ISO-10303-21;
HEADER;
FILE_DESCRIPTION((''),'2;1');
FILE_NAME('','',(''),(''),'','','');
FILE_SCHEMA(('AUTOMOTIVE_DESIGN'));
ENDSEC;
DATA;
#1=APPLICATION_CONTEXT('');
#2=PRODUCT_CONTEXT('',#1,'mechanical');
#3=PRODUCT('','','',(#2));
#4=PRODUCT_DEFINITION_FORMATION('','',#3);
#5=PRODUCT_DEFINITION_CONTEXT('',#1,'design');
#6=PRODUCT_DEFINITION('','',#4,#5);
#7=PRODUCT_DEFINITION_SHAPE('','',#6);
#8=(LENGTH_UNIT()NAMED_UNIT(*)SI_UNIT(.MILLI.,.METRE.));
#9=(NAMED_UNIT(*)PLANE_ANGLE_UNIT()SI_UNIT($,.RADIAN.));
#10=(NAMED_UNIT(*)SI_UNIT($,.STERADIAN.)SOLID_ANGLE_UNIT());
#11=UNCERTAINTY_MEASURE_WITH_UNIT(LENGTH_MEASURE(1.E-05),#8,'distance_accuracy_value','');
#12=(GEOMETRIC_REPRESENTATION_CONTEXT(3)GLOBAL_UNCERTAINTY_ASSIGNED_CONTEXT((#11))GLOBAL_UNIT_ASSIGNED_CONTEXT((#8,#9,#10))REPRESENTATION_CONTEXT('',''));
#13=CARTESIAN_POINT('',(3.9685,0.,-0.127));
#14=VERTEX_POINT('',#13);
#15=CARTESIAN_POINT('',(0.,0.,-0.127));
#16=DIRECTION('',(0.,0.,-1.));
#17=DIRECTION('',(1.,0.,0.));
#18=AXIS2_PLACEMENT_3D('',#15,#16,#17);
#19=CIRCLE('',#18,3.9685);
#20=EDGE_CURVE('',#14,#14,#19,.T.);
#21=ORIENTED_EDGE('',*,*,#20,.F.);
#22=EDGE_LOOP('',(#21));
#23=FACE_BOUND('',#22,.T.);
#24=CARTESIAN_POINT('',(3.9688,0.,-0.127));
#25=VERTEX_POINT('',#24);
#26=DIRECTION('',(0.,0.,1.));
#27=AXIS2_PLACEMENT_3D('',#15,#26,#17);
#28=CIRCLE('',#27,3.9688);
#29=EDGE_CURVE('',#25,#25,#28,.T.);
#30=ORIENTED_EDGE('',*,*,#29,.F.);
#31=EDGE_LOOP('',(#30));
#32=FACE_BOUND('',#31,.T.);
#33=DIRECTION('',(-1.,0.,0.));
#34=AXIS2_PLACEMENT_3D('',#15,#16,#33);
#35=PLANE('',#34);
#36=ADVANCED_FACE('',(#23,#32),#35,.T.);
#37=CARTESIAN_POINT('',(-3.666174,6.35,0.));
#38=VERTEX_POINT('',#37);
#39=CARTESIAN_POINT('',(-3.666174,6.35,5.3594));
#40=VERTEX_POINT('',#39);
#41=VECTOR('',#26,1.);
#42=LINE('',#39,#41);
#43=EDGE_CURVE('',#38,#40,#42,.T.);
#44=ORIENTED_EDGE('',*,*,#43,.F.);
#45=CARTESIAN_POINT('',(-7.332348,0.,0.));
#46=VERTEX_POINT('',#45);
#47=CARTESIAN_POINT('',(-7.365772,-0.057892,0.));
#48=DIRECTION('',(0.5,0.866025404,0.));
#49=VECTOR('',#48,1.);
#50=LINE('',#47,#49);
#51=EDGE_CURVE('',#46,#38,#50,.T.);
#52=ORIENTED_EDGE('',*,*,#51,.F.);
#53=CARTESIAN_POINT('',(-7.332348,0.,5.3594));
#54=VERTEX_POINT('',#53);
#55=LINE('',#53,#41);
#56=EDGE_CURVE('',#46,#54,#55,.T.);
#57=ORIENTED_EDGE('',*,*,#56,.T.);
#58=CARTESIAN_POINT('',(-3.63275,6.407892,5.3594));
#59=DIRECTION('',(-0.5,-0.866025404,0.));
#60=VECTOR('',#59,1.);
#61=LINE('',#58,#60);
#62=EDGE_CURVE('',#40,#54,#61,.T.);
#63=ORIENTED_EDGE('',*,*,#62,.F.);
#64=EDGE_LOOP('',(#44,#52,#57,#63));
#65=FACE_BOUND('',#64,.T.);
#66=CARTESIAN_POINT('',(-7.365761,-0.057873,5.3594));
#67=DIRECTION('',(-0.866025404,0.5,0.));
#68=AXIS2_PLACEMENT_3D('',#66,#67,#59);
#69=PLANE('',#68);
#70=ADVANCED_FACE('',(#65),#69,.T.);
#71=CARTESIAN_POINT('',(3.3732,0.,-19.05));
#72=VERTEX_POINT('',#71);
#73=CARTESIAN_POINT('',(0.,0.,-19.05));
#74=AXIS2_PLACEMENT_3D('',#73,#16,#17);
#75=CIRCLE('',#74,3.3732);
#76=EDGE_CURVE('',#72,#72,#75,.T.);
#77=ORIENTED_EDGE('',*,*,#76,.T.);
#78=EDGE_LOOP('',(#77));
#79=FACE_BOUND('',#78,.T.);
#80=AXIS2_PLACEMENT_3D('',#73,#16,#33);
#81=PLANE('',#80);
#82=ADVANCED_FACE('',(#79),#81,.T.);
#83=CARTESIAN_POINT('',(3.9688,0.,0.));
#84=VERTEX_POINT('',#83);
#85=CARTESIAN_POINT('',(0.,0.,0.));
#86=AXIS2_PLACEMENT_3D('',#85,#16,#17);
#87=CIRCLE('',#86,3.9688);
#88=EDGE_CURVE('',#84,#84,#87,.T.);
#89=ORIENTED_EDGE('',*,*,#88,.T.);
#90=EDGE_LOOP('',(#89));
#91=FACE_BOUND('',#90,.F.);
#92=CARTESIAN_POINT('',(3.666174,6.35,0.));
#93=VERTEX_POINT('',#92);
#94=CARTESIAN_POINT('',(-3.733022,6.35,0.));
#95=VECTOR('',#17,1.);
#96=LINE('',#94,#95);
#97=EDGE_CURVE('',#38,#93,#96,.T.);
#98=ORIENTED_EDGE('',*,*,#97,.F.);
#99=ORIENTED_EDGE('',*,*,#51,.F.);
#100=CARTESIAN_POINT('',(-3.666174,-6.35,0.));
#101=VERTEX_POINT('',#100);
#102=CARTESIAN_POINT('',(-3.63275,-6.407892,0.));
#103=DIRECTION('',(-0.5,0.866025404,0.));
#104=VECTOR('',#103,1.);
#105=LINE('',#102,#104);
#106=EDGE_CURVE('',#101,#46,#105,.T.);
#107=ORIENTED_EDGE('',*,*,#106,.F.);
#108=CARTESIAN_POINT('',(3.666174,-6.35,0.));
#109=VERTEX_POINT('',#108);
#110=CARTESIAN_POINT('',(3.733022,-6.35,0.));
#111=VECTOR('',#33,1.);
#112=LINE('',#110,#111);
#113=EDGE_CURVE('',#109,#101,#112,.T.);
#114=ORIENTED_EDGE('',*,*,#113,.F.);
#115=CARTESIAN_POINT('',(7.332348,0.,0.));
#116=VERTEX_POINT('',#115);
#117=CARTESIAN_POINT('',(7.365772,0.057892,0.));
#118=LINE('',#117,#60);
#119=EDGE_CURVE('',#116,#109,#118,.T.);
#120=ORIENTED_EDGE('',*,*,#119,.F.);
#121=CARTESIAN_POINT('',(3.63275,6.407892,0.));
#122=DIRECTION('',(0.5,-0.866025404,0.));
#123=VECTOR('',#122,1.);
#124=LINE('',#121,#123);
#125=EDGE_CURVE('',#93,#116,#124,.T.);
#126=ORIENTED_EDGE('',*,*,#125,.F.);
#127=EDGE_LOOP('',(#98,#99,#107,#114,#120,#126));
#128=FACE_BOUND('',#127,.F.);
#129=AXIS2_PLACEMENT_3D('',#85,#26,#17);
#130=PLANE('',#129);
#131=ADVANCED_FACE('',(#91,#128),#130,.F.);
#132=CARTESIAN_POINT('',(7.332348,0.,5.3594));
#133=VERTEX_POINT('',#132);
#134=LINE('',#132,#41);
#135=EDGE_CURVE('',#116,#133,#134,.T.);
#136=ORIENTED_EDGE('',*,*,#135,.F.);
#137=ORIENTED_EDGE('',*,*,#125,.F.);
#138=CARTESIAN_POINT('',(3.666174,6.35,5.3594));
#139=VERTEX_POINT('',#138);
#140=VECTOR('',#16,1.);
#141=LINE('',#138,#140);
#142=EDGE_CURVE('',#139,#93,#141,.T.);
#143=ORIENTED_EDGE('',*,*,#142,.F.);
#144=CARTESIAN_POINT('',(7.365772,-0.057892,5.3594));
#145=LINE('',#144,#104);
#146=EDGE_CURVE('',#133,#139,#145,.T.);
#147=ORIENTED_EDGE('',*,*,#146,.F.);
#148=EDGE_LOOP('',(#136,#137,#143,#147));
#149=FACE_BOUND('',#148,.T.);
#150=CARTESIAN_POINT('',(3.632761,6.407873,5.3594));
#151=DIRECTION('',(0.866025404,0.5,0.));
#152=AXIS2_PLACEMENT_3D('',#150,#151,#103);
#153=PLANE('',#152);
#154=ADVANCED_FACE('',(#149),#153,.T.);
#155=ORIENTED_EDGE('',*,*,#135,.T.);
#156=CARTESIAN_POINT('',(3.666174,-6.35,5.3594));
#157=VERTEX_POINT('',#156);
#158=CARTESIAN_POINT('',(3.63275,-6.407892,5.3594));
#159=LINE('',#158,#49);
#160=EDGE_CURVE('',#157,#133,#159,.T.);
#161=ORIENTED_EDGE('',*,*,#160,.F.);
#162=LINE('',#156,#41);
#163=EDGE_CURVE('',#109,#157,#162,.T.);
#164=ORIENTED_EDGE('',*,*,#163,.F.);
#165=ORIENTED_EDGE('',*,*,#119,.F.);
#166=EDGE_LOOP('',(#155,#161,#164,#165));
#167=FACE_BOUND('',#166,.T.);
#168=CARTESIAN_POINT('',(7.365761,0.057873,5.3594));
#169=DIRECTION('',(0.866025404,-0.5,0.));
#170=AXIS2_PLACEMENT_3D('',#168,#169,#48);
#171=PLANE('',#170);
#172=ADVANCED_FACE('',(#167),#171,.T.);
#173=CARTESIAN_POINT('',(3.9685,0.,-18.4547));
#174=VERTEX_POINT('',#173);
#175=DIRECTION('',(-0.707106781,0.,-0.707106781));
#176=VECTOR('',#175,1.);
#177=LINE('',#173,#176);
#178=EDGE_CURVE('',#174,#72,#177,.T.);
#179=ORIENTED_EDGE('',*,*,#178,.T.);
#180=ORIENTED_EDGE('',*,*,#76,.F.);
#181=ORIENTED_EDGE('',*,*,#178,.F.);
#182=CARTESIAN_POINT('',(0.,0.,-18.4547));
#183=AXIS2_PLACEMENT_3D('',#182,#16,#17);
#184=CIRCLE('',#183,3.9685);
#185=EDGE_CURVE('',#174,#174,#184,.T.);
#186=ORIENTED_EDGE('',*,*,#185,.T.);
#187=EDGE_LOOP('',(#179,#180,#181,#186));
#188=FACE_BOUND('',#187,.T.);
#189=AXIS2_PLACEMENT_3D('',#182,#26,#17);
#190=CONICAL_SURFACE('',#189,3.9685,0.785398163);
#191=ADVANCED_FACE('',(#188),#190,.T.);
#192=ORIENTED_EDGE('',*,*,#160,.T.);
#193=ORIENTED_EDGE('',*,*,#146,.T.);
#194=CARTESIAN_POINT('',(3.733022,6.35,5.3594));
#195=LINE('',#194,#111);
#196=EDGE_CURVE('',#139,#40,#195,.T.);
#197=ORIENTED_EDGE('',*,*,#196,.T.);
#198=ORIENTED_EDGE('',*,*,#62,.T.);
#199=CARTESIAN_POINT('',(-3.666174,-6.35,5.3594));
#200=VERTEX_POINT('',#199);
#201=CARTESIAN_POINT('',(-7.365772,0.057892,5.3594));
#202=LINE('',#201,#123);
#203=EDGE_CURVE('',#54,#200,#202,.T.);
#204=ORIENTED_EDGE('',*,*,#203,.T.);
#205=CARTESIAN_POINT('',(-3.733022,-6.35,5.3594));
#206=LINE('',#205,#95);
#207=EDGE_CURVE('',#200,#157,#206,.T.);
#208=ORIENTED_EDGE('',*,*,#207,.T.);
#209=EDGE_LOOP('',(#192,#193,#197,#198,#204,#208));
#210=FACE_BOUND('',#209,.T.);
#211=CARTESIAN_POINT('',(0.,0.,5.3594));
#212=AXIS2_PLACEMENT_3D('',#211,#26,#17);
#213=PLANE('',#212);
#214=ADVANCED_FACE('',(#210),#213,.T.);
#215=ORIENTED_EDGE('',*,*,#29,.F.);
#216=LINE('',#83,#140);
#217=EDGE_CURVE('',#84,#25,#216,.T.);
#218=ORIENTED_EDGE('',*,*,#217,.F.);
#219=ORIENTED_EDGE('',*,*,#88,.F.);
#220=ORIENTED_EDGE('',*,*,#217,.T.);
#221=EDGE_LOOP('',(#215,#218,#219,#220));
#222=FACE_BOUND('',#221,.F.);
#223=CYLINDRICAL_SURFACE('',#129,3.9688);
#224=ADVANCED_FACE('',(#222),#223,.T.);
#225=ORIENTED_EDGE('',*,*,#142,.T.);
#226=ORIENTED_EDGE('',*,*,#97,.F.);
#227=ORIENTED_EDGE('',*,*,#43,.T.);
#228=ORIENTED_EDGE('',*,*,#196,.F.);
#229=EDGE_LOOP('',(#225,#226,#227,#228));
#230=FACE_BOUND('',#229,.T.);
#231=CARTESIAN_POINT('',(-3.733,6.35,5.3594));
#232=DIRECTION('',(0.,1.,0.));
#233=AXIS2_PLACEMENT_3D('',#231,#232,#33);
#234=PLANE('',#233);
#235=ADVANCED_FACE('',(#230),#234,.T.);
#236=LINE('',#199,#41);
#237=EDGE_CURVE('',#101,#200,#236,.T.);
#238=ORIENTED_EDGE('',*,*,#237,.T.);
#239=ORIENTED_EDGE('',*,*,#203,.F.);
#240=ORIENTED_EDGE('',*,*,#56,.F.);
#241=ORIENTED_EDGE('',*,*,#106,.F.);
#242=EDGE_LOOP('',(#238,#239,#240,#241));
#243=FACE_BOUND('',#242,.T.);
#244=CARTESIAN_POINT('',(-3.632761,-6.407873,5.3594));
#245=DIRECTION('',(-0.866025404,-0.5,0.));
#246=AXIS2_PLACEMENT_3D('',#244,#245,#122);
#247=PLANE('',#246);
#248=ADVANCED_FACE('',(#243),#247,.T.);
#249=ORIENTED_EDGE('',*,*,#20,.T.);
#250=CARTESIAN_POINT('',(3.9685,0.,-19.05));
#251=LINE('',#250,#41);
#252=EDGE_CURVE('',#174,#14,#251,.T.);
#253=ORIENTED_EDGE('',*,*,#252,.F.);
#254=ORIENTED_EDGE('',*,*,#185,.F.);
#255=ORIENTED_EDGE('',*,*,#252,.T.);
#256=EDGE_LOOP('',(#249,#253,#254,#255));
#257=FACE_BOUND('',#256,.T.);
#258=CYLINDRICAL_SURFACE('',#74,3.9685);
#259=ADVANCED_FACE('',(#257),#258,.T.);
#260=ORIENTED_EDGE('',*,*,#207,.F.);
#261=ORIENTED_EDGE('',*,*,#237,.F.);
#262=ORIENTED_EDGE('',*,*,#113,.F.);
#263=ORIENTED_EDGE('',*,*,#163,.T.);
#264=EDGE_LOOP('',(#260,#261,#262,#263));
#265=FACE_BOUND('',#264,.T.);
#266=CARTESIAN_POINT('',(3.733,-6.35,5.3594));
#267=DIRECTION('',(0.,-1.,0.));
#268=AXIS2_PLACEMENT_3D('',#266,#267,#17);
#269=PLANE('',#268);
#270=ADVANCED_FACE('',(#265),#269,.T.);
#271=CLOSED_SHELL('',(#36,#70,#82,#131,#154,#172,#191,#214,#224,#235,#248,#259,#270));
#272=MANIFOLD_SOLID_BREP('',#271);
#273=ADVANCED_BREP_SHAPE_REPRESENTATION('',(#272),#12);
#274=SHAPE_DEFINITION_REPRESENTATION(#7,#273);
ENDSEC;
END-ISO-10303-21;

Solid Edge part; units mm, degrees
sketch "Sketch1" plane through (0, 0, 0) normal (0, 0, 1) x (1, 0, 0)
  circle A0 centre (0, 0) radius 7.366
  dimension "D1" = 14.732
extrude "Protrusion1" add sketch "Sketch1" along normal blind 5.3594
sketch "Sketch2" plane through (0, 0, 0) normal (0, 0, -1) x (1, 0, 0)
  circle A0 centre (0, 0) radius 3.9688
extrude "Protrusion2" add sketch "Sketch2" along normal blind 19.05
sketch "Sketch3" plane through (0, 0, -19.05) normal (0, 0, -1) x (1, 0, 0)
  circle A0 centre (0, 0) radius 3.9685
extrude "Cutout1" cut sketch "Sketch3" against normal blind 18.923 flip side to cut
chamfer "Chamfer_1" distance 0.5953 angle 45 1 edges at (-3.9685, 0, -19.05)
sketch "Sketch4" plane through (0, 0, 5.3594) normal (0, 0, 1) x (1, 0, 0)
  line L0 (-3.733, 6.35) -> (3.733, 6.35)
  dimension "D1" = 12.7
extrude "Cutout2" cut sketch "Sketch4" against normal up to next material side at (0, 6.4, 5.3594)
pattern_circular "Pattern1" count 6 over 360 about axis through (0, 0, 5.3594) along (0, 0, 1) of "Cutout2"
properties part number "24100007"
